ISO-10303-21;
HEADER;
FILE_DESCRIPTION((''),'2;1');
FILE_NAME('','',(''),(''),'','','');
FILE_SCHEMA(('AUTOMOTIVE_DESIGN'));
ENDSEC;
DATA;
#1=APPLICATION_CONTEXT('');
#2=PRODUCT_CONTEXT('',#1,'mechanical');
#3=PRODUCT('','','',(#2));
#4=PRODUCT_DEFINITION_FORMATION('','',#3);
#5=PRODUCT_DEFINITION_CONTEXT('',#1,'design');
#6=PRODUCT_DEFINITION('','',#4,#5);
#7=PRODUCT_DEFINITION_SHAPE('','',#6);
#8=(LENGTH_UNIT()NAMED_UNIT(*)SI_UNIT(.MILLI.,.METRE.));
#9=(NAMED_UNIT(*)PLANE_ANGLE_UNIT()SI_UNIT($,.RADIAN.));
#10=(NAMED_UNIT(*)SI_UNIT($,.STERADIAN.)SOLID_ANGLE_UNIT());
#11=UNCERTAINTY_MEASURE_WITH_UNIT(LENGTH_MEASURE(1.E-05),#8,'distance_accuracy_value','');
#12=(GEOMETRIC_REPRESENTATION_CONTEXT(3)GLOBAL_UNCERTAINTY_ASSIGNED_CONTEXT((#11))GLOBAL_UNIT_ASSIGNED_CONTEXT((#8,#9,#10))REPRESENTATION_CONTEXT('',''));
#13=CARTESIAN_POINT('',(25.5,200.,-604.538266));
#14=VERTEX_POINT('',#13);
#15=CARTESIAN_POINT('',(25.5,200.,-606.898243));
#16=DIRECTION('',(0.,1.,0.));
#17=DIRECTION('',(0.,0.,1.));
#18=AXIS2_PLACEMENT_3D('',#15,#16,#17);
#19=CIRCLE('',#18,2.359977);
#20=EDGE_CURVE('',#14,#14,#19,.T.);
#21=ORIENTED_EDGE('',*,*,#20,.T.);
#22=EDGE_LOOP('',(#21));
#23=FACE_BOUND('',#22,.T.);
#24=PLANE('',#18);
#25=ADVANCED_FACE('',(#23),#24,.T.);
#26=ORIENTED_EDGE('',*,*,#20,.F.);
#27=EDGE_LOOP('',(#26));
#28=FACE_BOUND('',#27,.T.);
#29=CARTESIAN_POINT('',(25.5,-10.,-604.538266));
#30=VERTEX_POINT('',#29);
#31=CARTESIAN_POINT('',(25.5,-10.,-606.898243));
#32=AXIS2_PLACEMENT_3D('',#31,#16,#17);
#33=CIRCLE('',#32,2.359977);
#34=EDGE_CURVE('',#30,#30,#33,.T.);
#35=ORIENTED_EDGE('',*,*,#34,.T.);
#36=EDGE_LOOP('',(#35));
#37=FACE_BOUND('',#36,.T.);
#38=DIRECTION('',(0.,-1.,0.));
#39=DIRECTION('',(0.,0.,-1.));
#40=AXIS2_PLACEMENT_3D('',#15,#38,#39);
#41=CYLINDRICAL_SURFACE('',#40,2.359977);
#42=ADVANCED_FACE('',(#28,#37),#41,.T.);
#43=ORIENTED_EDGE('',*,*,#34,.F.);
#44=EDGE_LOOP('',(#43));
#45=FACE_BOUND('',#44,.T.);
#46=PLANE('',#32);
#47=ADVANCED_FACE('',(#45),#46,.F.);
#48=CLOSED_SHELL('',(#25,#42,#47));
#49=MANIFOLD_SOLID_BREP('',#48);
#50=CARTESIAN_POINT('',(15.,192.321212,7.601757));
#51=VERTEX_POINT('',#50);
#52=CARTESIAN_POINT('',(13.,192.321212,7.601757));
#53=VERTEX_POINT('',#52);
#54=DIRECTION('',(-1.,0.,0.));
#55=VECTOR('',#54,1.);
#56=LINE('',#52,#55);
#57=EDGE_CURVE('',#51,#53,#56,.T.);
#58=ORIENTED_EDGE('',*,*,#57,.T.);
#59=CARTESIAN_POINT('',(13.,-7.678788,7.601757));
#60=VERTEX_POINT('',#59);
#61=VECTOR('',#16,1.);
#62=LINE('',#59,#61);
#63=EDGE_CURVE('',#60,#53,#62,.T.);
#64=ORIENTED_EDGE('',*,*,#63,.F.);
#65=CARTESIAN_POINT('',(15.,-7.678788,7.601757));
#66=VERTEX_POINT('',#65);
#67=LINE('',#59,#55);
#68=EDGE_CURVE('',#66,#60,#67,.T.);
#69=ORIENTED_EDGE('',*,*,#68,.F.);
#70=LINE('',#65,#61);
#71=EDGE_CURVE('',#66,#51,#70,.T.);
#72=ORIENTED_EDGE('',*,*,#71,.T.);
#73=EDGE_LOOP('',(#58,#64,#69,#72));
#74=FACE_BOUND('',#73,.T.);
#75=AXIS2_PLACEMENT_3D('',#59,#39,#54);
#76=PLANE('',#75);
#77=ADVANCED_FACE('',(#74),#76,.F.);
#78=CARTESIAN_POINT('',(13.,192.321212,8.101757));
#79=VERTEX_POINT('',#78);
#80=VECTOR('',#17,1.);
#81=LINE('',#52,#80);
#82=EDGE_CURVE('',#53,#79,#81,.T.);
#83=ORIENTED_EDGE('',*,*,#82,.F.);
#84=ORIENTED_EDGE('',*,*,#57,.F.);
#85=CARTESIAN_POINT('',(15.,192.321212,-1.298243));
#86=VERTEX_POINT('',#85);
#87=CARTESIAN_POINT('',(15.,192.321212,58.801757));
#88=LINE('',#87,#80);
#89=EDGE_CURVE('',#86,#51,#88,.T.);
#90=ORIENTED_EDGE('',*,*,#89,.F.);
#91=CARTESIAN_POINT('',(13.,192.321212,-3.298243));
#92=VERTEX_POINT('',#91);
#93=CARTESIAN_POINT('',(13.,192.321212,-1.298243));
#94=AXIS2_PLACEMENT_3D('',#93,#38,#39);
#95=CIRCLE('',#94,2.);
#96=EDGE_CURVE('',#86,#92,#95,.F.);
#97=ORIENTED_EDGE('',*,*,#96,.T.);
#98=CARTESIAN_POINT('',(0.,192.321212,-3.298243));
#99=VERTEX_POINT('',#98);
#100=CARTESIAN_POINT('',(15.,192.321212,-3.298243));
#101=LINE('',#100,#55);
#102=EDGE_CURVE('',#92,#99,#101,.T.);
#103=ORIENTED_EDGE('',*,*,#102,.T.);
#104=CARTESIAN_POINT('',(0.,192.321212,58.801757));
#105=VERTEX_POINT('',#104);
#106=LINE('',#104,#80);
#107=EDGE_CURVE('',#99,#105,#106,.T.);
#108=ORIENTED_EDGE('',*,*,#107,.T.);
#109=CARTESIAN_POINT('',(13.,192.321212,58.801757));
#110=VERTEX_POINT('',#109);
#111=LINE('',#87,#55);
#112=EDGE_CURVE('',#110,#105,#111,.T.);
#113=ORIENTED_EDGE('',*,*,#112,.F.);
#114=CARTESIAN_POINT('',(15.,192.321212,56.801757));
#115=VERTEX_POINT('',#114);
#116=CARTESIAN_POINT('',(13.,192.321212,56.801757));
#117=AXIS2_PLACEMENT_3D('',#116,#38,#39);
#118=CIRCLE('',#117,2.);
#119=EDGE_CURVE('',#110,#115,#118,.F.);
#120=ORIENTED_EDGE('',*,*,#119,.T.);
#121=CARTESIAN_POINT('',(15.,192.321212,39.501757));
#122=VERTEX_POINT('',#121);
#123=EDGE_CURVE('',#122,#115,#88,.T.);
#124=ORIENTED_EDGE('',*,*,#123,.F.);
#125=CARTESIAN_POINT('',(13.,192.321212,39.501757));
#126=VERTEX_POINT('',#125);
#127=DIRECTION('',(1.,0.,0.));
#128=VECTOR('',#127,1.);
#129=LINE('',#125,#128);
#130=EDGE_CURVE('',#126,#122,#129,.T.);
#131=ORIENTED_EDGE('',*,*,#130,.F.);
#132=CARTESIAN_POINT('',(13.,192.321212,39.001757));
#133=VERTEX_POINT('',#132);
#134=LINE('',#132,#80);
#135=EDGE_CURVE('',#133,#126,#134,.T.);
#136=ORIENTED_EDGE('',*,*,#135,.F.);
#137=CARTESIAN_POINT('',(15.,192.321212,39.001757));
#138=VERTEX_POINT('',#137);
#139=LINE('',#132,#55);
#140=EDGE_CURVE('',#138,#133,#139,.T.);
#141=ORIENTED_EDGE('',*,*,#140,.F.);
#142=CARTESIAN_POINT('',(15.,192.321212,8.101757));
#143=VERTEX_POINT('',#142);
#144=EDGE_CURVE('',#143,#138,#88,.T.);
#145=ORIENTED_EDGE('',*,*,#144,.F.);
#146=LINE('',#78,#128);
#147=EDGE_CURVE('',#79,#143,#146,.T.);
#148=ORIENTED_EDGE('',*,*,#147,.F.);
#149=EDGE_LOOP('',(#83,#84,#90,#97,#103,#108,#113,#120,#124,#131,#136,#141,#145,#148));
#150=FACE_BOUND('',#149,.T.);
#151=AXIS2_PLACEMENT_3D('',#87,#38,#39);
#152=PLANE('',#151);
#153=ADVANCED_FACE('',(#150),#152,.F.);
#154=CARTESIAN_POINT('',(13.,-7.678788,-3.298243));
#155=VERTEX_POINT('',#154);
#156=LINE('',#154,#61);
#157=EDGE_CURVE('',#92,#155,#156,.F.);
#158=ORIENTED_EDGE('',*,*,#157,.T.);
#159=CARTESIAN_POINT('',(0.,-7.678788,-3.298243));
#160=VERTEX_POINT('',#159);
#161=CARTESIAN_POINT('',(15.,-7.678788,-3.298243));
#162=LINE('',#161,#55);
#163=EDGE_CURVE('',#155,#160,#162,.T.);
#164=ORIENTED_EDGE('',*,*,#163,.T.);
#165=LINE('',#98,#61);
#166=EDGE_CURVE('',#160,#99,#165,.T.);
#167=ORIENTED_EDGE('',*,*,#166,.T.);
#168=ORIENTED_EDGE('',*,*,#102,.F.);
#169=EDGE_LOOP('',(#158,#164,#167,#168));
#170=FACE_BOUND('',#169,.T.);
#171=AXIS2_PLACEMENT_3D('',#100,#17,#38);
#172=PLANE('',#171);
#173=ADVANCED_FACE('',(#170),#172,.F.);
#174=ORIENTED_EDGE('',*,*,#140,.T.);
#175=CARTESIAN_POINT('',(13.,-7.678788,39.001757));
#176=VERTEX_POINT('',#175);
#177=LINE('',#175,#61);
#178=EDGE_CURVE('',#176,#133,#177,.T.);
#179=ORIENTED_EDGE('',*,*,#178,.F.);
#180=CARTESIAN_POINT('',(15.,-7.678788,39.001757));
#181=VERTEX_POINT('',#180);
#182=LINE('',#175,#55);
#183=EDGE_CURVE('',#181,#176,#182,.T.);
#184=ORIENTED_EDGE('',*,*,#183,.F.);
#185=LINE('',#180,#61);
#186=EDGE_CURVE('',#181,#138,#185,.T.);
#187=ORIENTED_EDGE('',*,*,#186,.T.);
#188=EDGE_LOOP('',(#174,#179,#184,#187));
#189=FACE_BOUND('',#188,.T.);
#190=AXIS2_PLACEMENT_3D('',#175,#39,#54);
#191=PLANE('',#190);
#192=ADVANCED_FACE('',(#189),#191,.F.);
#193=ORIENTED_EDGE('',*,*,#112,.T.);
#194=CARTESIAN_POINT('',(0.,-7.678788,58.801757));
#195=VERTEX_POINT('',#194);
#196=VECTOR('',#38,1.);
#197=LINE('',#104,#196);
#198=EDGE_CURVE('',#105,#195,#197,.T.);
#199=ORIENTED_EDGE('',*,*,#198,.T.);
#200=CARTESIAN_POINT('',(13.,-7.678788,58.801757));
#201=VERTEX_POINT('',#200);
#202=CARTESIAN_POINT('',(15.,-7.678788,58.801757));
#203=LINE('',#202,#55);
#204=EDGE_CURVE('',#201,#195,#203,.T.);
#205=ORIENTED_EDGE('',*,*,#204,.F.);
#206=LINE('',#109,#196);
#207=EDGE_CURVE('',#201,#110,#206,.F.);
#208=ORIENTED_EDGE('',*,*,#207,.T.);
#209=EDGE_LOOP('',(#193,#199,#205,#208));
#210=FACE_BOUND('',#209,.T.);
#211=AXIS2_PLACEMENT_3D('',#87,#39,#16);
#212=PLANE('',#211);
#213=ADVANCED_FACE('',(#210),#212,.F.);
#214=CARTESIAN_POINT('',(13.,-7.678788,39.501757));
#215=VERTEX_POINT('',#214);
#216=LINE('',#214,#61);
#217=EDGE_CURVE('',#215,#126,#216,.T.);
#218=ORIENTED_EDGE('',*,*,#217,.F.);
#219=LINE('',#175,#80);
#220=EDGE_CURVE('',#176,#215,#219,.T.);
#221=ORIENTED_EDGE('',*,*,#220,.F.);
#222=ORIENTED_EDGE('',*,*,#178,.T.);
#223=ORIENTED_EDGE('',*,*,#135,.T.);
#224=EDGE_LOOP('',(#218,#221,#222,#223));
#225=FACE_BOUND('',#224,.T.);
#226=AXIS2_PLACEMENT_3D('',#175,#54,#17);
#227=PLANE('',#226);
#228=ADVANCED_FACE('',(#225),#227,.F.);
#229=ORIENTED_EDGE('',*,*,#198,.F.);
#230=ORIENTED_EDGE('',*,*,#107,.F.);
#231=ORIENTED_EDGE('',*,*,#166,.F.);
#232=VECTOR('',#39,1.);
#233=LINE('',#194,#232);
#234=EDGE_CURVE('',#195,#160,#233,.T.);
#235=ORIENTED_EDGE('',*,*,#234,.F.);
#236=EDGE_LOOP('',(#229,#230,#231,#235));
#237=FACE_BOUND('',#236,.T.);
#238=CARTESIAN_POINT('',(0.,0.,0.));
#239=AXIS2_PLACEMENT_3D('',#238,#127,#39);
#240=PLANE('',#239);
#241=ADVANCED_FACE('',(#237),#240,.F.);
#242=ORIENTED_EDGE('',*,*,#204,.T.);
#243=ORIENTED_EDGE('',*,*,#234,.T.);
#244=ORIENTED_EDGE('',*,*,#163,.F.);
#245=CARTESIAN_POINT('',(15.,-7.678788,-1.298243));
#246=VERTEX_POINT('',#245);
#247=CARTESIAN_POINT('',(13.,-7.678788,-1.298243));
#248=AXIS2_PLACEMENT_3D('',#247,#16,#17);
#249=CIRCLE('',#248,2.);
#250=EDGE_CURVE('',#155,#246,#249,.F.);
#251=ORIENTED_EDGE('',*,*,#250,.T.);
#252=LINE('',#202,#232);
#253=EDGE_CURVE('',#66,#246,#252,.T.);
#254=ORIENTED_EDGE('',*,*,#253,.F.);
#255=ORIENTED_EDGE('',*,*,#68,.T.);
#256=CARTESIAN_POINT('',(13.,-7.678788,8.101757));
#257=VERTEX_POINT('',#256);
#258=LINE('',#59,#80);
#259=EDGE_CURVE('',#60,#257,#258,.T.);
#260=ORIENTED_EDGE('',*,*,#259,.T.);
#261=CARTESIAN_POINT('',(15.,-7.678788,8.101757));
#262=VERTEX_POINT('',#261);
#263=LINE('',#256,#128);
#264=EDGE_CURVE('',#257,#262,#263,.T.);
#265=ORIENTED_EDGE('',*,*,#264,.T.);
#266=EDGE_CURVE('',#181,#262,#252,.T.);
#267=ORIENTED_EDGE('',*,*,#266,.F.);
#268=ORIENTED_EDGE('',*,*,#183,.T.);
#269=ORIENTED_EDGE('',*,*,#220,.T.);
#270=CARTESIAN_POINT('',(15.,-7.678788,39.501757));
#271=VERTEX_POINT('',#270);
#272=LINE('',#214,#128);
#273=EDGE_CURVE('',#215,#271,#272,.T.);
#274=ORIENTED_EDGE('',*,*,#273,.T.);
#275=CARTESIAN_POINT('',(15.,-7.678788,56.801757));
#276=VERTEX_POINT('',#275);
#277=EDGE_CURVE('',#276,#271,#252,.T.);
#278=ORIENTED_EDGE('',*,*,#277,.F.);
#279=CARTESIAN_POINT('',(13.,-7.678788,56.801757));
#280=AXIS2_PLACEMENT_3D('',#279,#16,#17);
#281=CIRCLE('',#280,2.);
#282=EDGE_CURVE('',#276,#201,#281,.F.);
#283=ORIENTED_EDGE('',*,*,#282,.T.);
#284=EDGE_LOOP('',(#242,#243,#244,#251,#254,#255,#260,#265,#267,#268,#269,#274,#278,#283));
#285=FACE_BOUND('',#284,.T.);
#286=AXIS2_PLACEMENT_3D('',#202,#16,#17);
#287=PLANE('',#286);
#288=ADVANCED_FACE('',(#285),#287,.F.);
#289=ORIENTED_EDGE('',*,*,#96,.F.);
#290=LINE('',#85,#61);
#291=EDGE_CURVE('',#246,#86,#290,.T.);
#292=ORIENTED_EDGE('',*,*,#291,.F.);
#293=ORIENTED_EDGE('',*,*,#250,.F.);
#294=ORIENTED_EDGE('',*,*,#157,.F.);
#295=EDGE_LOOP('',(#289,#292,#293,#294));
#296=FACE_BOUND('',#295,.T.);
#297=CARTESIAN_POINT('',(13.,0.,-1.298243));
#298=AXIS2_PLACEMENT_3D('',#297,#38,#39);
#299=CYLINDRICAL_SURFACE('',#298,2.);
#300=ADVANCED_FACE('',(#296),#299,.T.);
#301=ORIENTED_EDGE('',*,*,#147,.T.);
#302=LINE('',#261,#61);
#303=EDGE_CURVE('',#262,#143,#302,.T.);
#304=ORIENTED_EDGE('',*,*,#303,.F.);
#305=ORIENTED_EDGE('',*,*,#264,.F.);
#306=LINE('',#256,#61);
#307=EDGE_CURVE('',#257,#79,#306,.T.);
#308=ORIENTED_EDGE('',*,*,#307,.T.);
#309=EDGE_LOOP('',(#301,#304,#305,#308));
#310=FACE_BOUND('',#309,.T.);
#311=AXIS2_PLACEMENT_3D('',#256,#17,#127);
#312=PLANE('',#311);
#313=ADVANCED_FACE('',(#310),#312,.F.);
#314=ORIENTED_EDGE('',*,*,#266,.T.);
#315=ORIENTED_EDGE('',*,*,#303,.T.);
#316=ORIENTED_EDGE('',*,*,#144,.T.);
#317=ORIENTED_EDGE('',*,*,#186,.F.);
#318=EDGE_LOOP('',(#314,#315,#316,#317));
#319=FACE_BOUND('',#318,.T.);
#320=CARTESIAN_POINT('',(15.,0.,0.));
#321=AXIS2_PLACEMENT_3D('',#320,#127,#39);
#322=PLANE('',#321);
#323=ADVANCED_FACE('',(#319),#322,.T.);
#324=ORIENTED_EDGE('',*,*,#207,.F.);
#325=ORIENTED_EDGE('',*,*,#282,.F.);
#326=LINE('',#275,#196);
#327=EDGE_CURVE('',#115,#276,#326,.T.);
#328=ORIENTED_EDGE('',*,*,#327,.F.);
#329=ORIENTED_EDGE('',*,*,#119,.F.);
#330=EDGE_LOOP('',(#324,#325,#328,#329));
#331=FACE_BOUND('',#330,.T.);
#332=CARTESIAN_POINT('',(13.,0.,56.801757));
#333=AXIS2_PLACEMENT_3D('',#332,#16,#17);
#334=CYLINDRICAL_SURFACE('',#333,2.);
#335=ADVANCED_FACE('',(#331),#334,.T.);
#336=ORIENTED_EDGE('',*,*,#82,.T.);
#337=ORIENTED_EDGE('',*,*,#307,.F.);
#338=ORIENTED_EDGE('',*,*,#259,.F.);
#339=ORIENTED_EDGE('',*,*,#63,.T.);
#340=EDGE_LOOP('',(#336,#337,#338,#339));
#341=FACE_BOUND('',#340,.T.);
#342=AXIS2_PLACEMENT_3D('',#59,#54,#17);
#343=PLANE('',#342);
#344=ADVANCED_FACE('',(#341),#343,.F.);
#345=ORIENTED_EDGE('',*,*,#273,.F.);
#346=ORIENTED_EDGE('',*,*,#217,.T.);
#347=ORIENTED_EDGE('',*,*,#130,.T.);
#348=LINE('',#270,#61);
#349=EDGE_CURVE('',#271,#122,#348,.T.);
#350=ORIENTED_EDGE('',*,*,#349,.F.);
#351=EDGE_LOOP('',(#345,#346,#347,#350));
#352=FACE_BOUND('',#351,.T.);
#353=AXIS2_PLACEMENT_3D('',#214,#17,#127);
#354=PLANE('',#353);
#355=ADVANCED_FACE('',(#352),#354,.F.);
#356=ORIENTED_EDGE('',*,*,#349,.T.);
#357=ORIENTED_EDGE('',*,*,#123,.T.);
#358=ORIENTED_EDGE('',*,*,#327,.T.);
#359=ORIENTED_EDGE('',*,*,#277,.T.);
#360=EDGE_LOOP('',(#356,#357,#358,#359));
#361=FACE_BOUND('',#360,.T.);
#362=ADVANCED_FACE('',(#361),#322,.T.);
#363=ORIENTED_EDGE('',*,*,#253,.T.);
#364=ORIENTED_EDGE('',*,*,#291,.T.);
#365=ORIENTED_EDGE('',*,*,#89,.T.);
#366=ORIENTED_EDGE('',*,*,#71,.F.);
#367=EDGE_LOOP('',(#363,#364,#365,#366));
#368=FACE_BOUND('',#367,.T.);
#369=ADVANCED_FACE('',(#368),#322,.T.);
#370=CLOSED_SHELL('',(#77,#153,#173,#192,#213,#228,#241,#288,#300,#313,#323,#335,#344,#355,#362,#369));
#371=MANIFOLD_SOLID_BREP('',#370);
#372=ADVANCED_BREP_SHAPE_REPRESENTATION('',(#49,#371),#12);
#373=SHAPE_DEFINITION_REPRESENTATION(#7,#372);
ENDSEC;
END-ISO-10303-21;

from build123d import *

# Parameters (mm, degrees)
SKETCH_1_W          = 62.1
SKETCH_1_H          = 200
EXTRUDE_1_DEPTH     = 15
SKETCH_2_W          = 2
SKETCH_2_H          = 0.5
CUT_EXTRUDE_1_DEPTH = 210.003939351
FILLET_1_R          = 2
EXTRUDE_START       = -10
SKETCH_3_R          = 2.359977166
EXTRUDE_2_DEPTH     = 210


with BuildPart() as part:
    # Эскиз1 → Бобышка-Вытянуть1 (new body)
    with BuildSketch(Plane(origin=(0, 0, 0), x_dir=(0, 0, -1), z_dir=(1, 0, 0))):
        with Locations((-27.751757321, 92.321211536)):
            Rectangle(SKETCH_1_W, SKETCH_1_H)
    extrude(amount=EXTRUDE_1_DEPTH)

    # Эскиз2 → Вырез-Вытянуть1 (cut, through all)
    with BuildSketch(Plane(origin=(0, 192.321211536, 0), x_dir=(1, 0, 0), z_dir=(0, 1, 0))):
        with Locations((14, -39.251757321)):
            Rectangle(SKETCH_2_W, SKETCH_2_H)
        with Locations((14, -7.851757321)):
            Rectangle(SKETCH_2_W, SKETCH_2_H)
    extrude(amount=-CUT_EXTRUDE_1_DEPTH, mode=Mode.SUBTRACT)

    # Скругление1
    fillet_1_edges = [part.edges().sort_by_distance(p)[0] for p in [
        (15, 92.321211536, -3.298242679),
        (15, 92.321211536, 58.801757321),
    ]]
    fillet(fillet_1_edges, radius=FILLET_1_R)


with BuildPart() as body_2:
    # Эскиз3 → Бобышка-Вытянуть2 (new body)
    with BuildSketch(Plane(origin=(0, 0, 0), x_dir=(1, 0, 0), z_dir=(0, 1, 0)).offset(EXTRUDE_START)):
        with Locations(Location((25.5, 606.898242679, 0), (0, 0, 270))):
            Circle(SKETCH_3_R)
    extrude(amount=EXTRUDE_2_DEPTH)


solid = Compound([part.part, body_2.part])
